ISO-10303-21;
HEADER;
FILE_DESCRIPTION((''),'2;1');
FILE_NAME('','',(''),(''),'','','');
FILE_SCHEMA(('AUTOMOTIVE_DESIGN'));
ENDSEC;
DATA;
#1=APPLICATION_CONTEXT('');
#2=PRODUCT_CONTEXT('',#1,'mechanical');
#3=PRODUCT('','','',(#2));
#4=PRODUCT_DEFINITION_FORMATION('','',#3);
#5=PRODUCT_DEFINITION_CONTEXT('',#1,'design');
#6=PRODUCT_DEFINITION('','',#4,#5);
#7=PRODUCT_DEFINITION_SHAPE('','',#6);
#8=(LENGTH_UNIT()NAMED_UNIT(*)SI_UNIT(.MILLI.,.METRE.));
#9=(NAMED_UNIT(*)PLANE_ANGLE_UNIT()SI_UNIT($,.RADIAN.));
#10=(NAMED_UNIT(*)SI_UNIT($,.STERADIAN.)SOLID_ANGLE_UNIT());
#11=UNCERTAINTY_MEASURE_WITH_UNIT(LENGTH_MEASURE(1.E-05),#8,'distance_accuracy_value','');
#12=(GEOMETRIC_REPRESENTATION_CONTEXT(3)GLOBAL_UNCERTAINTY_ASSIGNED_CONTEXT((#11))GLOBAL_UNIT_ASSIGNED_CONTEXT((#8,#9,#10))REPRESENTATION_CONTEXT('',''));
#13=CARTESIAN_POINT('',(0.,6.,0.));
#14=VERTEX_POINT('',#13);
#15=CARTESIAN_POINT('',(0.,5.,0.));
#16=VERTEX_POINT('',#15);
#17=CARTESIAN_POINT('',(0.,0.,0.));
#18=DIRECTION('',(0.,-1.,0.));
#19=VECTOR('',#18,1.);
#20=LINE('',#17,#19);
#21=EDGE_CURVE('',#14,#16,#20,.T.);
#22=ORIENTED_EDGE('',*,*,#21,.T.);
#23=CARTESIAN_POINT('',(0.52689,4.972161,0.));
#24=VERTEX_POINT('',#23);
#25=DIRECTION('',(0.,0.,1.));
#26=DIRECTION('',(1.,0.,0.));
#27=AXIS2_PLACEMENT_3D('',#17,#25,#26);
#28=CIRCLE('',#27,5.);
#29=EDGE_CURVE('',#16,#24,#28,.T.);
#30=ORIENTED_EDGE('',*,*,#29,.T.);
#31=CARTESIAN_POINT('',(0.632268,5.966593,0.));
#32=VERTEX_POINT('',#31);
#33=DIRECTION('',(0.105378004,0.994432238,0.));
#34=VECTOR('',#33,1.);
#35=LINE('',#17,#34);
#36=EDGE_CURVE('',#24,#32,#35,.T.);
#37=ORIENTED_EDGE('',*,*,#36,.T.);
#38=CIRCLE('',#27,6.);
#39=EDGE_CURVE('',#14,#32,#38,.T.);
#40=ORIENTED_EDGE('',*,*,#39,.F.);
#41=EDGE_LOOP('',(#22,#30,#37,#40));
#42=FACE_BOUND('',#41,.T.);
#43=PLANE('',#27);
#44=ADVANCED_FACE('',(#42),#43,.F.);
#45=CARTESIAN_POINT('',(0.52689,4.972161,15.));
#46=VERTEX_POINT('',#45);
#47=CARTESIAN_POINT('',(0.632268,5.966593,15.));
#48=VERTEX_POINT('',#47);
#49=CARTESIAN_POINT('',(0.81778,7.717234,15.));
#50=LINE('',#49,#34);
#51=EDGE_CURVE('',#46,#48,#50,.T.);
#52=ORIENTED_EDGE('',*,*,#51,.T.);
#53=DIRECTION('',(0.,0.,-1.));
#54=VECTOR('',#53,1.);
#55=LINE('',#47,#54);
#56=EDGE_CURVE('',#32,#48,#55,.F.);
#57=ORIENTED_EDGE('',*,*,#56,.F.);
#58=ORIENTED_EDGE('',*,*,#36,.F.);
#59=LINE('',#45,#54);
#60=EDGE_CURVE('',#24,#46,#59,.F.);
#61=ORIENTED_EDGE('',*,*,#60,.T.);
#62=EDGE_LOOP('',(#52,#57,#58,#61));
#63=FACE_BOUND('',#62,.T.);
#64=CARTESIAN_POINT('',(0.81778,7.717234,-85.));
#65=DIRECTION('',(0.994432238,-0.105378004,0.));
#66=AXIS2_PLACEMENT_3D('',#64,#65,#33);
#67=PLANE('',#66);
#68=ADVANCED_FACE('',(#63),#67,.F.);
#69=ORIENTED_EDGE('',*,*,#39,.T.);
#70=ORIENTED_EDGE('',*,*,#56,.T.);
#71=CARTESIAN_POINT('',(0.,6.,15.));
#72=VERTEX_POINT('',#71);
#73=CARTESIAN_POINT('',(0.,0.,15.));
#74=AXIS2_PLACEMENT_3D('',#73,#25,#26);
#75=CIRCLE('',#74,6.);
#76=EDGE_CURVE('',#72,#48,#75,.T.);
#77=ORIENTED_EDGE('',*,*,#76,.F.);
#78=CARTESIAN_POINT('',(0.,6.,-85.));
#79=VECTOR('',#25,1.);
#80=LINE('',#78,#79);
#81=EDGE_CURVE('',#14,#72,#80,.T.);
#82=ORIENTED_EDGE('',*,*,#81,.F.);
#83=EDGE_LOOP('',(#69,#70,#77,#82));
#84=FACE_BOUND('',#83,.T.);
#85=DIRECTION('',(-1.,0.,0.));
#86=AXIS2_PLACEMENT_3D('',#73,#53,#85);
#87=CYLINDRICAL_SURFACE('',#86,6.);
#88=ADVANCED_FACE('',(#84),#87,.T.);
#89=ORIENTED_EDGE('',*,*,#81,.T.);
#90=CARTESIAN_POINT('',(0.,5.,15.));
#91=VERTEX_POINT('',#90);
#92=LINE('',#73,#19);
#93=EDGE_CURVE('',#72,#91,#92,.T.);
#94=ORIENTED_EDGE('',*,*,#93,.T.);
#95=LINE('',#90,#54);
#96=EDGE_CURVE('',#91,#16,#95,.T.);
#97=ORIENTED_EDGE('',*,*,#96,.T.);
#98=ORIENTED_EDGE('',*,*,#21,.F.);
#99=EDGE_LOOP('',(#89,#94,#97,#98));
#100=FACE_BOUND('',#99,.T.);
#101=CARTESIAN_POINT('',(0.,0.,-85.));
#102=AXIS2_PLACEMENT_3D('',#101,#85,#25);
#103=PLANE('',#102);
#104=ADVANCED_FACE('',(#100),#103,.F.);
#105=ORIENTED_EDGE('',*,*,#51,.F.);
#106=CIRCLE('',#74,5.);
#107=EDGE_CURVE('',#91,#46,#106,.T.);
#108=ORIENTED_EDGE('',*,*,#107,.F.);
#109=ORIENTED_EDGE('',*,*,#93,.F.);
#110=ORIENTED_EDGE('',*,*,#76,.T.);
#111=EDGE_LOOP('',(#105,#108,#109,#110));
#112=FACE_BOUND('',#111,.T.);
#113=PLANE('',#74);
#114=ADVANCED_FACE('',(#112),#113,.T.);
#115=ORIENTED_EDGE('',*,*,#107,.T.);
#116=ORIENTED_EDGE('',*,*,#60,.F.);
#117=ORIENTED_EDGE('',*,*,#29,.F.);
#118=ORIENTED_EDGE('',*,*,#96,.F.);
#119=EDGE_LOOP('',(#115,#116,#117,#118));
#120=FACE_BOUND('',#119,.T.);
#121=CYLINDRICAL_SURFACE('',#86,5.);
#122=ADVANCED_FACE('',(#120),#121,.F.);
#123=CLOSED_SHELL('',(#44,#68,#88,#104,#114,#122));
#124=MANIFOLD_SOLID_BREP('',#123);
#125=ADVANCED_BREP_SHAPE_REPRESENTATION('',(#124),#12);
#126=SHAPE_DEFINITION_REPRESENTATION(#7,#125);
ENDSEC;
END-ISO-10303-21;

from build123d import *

# Parameters (mm, degrees)
SKETCH_1_R          = 6
SKETCH_1_R_2        = 5
EXTRUDE_1_DEPTH     = 15
CUT_EXTRUDE_1_DEPTH = 100


with BuildPart() as part:
    # 草图1 → 凸台-拉伸1 (new body)
    with BuildSketch(Plane.XY):
        Circle(SKETCH_1_R)
        Circle(SKETCH_1_R_2, mode=Mode.SUBTRACT)
    extrude(amount=EXTRUDE_1_DEPTH)

    # 草图2 → 切除-拉伸1 (cut)
    with BuildSketch(Plane.XY.offset(15)):
        Polygon((0, 0), (0, 6), (0.817779961, 7.717234405), align=None)
    extrude(amount=-CUT_EXTRUDE_1_DEPTH, mode=Mode.SUBTRACT)


solid = part.part
